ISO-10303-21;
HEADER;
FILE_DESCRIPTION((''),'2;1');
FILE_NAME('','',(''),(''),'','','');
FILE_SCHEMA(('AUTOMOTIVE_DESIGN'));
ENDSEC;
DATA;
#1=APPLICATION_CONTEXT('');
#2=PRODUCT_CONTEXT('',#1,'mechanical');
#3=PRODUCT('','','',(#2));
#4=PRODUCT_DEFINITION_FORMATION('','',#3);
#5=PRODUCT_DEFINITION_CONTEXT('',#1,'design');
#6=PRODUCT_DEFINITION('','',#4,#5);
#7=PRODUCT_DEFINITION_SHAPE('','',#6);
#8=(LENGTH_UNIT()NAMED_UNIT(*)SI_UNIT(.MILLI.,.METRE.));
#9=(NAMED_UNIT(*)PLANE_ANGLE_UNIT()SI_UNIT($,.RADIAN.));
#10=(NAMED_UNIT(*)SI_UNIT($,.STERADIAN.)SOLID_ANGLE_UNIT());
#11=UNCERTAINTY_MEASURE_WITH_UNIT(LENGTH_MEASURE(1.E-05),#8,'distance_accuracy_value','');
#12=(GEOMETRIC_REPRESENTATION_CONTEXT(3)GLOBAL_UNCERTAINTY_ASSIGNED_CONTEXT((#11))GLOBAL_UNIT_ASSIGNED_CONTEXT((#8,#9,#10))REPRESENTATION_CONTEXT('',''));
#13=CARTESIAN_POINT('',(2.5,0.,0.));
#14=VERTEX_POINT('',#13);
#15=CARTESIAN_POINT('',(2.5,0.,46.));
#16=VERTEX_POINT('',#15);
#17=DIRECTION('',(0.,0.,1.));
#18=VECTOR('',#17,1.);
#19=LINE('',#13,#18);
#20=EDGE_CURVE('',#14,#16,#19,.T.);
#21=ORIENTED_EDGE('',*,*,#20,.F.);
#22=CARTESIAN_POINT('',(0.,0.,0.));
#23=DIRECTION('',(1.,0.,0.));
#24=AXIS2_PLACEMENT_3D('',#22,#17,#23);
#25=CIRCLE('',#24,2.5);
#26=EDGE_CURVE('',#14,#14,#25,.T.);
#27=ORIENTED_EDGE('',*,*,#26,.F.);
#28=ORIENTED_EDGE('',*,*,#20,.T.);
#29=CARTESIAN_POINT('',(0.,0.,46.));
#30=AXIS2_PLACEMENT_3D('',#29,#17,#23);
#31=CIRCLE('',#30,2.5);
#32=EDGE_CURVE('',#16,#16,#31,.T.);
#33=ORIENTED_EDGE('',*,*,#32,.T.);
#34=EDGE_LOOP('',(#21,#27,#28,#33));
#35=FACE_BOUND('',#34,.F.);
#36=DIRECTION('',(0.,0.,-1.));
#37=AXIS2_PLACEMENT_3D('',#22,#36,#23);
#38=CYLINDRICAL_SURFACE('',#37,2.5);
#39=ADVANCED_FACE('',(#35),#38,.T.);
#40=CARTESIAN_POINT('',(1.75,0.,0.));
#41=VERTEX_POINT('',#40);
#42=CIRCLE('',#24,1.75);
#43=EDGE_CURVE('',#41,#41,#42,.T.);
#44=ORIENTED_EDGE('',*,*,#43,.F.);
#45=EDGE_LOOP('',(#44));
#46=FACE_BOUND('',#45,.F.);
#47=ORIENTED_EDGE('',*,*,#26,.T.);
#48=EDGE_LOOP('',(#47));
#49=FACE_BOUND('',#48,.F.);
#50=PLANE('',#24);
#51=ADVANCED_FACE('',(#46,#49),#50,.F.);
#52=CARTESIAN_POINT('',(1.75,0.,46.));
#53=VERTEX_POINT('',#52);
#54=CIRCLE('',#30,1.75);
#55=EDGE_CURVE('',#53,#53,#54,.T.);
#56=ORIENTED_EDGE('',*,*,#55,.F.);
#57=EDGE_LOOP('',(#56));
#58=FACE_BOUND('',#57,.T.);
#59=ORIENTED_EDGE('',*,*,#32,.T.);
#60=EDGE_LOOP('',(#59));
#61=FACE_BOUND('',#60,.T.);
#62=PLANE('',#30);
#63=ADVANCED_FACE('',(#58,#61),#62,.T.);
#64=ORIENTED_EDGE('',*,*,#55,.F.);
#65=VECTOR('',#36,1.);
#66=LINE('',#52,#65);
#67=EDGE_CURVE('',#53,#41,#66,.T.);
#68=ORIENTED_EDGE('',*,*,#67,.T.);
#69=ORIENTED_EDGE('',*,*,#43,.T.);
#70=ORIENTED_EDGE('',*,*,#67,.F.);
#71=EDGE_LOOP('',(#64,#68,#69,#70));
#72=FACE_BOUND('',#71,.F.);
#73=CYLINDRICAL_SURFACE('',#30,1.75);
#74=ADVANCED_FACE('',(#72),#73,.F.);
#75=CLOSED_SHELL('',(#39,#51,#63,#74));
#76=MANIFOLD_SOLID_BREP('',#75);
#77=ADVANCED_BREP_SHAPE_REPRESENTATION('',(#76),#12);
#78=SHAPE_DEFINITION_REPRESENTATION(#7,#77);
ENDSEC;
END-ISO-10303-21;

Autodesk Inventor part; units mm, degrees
ref_plane "YZ Plane" through (0, 0, 0) normal (1, 0, 0) x (0, 1, 0)
ref_plane "XZ Plane" through (0, 0, 0) normal (0, 1, 0) x (-1, 0, 0)
ref_plane "XY Plane" through (0, 0, 0) normal (0, 0, 1) x (1, 0, 0)
sketch "スケッチ1" plane through (0, 0, 0) normal (0, 0, 1) x (1, 0, 0)
  circle A0 centre (0, 0) radius 2.5
  dimension "d0" = 5
extrude "押し出し1" add sketch "スケッチ1" along normal blind 46
sketch "スケッチ2" plane through (0, 0, 46) normal (0, 0, 1) x (1, 0, 0)
  circle A0 centre (0, 0) radius 1.75
  dimension "d3" = 3.5
extrude "押し出し2" cut sketch "スケッチ2" against normal blind 49
properties part number "20220523_スペーサ"
